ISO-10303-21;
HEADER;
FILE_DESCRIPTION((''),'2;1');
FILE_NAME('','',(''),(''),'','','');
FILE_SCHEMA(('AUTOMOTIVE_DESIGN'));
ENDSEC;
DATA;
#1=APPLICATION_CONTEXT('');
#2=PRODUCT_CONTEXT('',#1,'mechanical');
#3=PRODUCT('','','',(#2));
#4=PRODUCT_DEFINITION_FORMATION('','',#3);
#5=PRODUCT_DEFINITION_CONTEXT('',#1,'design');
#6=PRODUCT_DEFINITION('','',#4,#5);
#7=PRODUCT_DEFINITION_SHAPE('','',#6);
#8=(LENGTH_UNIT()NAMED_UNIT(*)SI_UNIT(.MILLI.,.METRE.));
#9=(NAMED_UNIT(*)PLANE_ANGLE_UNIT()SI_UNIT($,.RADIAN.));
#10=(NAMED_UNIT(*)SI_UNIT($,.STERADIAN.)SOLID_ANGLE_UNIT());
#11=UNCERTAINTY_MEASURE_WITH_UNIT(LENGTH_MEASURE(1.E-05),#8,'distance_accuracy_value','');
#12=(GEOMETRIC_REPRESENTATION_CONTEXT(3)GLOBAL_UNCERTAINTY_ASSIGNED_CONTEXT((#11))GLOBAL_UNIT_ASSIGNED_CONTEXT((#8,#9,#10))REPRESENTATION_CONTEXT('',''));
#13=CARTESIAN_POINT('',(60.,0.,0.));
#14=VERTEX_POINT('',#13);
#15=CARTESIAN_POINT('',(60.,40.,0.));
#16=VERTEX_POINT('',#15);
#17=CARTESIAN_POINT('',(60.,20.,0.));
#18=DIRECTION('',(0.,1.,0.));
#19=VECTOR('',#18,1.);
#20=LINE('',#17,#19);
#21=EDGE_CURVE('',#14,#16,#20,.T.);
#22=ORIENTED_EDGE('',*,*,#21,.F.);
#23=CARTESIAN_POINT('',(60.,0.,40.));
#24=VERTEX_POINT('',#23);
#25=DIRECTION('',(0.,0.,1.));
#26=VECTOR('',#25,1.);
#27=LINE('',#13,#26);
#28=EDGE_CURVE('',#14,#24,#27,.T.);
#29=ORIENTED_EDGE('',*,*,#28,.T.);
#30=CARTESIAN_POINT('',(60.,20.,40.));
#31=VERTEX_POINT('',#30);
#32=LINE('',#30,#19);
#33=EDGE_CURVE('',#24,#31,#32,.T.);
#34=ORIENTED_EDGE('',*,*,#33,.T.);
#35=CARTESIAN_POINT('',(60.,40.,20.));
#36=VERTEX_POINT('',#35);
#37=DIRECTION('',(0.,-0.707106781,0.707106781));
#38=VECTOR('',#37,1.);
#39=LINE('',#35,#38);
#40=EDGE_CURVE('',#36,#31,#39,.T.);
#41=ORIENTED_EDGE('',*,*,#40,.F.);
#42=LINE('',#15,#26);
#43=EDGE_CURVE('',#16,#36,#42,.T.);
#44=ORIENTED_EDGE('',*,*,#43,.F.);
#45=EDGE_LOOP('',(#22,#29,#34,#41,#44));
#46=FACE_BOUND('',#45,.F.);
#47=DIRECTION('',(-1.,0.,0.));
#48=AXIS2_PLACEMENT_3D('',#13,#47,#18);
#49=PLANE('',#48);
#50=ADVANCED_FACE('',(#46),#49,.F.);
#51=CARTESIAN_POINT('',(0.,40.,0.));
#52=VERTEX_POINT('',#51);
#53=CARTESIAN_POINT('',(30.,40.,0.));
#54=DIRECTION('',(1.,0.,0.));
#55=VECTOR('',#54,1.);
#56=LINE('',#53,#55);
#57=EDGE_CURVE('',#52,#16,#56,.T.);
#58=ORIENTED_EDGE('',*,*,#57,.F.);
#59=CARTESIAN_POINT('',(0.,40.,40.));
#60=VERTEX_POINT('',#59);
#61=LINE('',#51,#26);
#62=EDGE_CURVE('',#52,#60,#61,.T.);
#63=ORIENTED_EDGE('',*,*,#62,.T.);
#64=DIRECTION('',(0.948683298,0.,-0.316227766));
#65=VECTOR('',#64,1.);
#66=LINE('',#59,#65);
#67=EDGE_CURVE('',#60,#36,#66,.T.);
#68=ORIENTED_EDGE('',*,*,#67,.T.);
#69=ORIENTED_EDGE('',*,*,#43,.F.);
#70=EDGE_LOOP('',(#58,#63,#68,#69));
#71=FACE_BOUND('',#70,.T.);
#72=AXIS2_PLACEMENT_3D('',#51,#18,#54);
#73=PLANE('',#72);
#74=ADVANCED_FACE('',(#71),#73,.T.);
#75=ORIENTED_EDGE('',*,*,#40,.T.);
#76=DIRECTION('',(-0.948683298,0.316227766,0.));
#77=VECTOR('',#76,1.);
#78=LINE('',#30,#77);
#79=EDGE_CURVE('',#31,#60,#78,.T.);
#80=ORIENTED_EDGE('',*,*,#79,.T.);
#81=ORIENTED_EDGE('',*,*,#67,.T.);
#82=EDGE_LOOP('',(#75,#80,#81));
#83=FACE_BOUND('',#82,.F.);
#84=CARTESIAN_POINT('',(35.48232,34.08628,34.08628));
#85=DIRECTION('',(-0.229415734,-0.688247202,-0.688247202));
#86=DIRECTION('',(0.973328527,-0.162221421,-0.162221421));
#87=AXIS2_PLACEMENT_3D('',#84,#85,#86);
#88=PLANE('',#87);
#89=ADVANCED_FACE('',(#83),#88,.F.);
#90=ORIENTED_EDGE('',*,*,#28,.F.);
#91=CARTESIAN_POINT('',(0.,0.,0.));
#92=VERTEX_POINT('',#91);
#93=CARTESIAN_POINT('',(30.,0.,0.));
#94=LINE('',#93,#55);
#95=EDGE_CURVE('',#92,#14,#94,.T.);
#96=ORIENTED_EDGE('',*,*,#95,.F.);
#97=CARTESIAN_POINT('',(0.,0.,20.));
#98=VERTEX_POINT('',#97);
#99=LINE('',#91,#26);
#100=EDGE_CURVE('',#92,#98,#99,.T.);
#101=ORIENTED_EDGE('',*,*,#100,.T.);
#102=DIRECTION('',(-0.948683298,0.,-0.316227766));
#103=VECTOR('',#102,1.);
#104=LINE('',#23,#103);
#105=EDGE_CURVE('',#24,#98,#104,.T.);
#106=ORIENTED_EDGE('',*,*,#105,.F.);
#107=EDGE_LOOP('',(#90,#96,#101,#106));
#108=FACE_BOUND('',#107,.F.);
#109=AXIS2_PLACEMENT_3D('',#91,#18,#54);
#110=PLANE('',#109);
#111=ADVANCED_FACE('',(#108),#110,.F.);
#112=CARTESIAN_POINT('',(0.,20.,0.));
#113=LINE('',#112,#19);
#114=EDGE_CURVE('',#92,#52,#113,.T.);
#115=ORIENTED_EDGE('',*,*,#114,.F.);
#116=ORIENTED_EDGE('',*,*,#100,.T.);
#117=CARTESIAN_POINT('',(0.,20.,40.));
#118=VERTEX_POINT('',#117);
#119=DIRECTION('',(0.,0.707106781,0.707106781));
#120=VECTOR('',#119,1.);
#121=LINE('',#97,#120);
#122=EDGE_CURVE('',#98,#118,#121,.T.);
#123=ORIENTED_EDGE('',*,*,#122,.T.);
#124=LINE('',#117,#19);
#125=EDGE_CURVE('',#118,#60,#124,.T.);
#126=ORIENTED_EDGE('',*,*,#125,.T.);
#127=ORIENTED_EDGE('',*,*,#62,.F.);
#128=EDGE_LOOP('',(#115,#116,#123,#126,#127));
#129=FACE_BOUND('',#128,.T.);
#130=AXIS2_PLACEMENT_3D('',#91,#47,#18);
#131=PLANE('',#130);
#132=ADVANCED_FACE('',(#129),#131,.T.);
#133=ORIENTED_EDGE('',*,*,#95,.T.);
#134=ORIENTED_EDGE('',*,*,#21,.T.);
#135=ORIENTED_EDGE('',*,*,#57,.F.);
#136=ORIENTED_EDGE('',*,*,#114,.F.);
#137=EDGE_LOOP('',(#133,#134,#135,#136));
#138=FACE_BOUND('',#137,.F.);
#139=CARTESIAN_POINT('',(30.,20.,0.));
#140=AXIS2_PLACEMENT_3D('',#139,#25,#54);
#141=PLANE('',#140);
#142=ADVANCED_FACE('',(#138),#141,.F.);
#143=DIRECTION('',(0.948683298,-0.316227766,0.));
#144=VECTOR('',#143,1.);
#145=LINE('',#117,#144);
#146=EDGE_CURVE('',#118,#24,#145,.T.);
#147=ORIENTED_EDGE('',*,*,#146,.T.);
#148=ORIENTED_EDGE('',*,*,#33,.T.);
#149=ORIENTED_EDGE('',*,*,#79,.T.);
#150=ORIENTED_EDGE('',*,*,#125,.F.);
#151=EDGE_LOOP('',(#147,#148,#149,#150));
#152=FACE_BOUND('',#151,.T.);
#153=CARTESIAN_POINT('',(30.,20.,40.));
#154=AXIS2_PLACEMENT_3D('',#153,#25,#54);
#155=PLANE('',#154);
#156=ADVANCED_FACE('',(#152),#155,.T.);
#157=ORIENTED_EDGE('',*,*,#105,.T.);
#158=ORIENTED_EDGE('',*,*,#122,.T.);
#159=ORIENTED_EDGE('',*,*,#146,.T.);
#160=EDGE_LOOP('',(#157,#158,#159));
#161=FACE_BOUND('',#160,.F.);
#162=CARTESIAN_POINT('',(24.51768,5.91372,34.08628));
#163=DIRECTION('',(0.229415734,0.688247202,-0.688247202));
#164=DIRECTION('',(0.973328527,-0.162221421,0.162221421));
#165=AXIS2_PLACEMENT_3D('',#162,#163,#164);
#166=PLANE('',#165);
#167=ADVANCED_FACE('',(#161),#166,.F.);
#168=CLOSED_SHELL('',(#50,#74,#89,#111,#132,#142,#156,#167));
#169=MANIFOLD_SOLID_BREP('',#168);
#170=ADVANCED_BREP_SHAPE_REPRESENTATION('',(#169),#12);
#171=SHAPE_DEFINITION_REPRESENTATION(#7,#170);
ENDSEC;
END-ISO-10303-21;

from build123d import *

# Parameters (mm, degrees)
F0_W      = 60
F0_H      = 40
F1_DEPTH  = 40
F6_DEPTH  = 25
F11_DEPTH = 25


with BuildPart() as f1:
    # F0 (on Top) → F1 (new body)
    with BuildSketch(Plane.XY):
        with Locations((30, 20)):
            Rectangle(F0_W, F0_H)
    extrude(amount=F1_DEPTH)

    # F5 (on 3pt) → F6 (cut)
    with BuildSketch(Plane(origin=(-3.1578947368, -9.4736842105, 9.4736842105), x_dir=(0.9733285268, -0.1622214211, 0.1622214211), z_dir=(0.2294157339, 0.6882472016, -0.6882472016))):
        Polygon((3.2444284226, -14.1421356237), (3.2444284226, -42.4264068712), (64.8885684523, -28.2842712475), align=None)
    extrude(amount=-F6_DEPTH, mode=Mode.SUBTRACT)

    # F10 (on 3pt) → F11 (cut)
    with BuildSketch(Plane(origin=(12.6315789474, 37.8947368421, 37.8947368421), x_dir=(0.9733285268, -0.1622214211, -0.1622214211), z_dir=(-0.2294157339, -0.6882472016, -0.6882472016))):
        Polygon((48.6664263392, 14.1421356237), (-12.9777136905, 0), (48.6664263392, -14.1421356237), align=None)
    extrude(amount=-F11_DEPTH, mode=Mode.SUBTRACT)


solid = f1.part
